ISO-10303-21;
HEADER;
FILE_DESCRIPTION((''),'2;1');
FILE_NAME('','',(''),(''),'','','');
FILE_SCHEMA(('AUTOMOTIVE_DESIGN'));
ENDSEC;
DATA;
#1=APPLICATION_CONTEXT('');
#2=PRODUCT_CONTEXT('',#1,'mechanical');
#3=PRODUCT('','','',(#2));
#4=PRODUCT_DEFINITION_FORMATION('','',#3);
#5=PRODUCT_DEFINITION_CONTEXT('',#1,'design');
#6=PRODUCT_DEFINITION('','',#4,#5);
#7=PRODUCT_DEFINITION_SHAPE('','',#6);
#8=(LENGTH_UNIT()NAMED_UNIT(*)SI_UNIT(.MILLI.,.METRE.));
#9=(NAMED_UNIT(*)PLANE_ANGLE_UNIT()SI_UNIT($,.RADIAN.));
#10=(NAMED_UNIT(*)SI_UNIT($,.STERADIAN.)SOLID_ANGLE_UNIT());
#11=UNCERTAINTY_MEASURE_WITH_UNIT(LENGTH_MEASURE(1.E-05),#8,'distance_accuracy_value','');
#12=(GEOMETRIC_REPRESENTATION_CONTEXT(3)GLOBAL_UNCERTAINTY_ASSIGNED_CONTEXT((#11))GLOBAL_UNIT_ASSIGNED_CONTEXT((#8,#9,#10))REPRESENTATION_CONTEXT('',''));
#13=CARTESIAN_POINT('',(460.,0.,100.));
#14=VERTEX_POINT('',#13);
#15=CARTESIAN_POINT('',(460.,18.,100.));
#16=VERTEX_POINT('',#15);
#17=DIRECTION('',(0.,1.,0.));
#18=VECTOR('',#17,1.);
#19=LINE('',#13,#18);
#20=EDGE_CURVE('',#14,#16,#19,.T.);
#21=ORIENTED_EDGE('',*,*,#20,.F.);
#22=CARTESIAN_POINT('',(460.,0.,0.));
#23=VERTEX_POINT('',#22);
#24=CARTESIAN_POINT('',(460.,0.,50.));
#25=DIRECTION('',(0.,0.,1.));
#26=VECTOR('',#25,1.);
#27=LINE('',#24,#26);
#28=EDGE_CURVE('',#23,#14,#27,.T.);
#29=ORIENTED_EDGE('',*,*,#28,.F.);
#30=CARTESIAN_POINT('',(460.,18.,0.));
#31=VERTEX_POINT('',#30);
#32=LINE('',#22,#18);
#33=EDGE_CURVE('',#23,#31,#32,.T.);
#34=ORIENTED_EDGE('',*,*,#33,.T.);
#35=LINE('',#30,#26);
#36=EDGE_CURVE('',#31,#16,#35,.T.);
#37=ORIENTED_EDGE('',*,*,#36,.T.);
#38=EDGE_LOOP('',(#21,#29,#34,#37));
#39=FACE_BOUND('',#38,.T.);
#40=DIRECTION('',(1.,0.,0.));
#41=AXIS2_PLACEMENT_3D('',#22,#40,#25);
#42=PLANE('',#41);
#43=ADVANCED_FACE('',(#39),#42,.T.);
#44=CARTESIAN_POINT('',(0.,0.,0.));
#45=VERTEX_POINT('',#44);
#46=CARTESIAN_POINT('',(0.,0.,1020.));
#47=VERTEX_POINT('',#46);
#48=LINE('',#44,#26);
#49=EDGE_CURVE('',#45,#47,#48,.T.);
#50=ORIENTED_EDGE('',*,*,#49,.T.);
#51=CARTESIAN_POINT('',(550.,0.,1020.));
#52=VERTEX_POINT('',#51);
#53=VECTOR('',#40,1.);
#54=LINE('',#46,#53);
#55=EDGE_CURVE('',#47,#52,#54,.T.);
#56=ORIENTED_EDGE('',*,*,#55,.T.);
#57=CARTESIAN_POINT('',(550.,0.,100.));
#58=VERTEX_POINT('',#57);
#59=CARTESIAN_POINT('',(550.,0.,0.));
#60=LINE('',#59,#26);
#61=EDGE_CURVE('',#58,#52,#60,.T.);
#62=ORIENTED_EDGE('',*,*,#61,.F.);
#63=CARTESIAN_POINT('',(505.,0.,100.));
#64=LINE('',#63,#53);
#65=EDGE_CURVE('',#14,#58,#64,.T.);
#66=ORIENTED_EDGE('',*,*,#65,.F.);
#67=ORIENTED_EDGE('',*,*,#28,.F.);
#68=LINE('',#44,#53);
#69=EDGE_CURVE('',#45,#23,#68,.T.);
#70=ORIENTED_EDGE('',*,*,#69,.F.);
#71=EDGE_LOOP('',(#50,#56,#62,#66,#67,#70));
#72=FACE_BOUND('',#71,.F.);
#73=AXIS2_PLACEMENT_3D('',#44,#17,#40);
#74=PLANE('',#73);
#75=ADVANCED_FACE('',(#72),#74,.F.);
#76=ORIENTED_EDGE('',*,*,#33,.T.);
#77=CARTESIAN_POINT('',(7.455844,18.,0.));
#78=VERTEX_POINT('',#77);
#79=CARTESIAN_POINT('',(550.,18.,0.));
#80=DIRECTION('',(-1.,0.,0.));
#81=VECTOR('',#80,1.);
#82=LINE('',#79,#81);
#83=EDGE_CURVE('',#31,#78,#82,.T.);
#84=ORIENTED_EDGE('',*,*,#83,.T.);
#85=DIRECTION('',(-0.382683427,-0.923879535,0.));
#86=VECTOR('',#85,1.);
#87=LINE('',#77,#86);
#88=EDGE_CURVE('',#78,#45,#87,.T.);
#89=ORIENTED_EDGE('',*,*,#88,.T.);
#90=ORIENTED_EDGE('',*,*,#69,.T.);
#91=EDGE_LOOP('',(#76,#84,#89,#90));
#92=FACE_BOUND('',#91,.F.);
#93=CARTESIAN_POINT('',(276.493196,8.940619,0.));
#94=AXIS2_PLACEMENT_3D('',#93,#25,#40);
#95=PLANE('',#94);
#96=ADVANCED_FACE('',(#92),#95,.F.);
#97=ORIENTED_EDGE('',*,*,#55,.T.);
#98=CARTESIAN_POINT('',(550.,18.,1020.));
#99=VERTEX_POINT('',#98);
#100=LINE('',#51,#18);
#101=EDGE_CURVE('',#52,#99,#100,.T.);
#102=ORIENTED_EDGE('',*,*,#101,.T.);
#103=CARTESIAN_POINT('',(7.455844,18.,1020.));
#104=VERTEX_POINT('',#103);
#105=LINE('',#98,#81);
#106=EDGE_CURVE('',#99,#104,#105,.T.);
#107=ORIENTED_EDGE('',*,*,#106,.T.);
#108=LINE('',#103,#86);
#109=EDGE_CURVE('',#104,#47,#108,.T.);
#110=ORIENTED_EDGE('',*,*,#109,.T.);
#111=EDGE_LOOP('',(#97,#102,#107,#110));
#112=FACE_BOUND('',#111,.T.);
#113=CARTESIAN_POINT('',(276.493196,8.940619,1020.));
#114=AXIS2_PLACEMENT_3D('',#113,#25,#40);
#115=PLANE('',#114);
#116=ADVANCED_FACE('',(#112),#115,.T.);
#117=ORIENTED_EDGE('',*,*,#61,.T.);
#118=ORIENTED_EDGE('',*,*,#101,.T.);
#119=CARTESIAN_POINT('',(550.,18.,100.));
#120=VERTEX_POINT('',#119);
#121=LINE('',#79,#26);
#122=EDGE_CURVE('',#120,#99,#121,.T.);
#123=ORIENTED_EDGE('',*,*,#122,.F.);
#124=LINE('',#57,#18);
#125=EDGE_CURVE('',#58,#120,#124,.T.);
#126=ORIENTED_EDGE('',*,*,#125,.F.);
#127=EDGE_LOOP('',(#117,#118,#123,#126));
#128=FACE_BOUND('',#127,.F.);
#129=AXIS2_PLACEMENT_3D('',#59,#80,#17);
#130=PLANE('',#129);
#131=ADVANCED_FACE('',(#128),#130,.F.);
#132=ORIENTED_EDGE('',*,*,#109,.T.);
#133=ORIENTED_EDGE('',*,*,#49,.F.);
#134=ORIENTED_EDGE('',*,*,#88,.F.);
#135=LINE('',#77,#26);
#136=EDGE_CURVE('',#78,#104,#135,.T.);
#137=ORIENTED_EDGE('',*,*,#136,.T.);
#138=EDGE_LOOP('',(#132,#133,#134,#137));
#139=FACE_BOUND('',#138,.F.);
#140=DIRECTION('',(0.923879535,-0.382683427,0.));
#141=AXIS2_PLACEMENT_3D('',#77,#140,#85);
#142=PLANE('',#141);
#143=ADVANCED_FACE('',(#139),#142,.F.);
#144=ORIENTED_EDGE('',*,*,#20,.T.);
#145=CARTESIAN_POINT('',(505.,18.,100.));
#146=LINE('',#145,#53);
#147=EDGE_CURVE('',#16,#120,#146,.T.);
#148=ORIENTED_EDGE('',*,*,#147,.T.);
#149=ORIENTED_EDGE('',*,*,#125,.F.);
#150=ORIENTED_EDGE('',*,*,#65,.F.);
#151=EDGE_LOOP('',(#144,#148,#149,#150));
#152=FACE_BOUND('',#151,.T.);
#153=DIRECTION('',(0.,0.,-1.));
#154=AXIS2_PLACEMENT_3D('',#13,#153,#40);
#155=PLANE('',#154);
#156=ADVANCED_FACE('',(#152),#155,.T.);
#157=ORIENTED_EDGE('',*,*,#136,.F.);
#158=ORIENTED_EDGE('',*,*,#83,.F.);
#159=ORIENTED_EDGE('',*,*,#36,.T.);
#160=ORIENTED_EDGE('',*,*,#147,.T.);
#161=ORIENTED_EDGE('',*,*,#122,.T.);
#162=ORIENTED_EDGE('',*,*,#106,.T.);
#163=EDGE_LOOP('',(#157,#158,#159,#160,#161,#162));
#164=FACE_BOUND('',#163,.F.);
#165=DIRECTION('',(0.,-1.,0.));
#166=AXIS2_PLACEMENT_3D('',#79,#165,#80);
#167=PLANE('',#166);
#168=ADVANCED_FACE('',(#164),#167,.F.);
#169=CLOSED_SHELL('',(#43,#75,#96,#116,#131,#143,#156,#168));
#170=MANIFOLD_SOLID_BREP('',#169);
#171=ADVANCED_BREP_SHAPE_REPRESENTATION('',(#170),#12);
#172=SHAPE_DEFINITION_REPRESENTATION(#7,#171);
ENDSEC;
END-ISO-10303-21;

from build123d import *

# Parameters (mm, degrees)
F1_DEPTH = 1020
F2_W     = 90
F2_H     = 100
F3_DEPTH = 25


with BuildPart() as f1:
    # F0 (on Top) → F1 (new body)
    with BuildSketch(Plane.XY):
        Polygon((7.455844, 18), (0, 0), (550, 0), (550, 18), align=None)
    extrude(amount=F1_DEPTH)

    # F2 (on Front) → F3 (cut)
    with BuildSketch(Plane.XZ):
        with Locations((505, 50)):
            Rectangle(F2_W, F2_H)
    extrude(amount=-F3_DEPTH, mode=Mode.SUBTRACT)


solid = f1.part
